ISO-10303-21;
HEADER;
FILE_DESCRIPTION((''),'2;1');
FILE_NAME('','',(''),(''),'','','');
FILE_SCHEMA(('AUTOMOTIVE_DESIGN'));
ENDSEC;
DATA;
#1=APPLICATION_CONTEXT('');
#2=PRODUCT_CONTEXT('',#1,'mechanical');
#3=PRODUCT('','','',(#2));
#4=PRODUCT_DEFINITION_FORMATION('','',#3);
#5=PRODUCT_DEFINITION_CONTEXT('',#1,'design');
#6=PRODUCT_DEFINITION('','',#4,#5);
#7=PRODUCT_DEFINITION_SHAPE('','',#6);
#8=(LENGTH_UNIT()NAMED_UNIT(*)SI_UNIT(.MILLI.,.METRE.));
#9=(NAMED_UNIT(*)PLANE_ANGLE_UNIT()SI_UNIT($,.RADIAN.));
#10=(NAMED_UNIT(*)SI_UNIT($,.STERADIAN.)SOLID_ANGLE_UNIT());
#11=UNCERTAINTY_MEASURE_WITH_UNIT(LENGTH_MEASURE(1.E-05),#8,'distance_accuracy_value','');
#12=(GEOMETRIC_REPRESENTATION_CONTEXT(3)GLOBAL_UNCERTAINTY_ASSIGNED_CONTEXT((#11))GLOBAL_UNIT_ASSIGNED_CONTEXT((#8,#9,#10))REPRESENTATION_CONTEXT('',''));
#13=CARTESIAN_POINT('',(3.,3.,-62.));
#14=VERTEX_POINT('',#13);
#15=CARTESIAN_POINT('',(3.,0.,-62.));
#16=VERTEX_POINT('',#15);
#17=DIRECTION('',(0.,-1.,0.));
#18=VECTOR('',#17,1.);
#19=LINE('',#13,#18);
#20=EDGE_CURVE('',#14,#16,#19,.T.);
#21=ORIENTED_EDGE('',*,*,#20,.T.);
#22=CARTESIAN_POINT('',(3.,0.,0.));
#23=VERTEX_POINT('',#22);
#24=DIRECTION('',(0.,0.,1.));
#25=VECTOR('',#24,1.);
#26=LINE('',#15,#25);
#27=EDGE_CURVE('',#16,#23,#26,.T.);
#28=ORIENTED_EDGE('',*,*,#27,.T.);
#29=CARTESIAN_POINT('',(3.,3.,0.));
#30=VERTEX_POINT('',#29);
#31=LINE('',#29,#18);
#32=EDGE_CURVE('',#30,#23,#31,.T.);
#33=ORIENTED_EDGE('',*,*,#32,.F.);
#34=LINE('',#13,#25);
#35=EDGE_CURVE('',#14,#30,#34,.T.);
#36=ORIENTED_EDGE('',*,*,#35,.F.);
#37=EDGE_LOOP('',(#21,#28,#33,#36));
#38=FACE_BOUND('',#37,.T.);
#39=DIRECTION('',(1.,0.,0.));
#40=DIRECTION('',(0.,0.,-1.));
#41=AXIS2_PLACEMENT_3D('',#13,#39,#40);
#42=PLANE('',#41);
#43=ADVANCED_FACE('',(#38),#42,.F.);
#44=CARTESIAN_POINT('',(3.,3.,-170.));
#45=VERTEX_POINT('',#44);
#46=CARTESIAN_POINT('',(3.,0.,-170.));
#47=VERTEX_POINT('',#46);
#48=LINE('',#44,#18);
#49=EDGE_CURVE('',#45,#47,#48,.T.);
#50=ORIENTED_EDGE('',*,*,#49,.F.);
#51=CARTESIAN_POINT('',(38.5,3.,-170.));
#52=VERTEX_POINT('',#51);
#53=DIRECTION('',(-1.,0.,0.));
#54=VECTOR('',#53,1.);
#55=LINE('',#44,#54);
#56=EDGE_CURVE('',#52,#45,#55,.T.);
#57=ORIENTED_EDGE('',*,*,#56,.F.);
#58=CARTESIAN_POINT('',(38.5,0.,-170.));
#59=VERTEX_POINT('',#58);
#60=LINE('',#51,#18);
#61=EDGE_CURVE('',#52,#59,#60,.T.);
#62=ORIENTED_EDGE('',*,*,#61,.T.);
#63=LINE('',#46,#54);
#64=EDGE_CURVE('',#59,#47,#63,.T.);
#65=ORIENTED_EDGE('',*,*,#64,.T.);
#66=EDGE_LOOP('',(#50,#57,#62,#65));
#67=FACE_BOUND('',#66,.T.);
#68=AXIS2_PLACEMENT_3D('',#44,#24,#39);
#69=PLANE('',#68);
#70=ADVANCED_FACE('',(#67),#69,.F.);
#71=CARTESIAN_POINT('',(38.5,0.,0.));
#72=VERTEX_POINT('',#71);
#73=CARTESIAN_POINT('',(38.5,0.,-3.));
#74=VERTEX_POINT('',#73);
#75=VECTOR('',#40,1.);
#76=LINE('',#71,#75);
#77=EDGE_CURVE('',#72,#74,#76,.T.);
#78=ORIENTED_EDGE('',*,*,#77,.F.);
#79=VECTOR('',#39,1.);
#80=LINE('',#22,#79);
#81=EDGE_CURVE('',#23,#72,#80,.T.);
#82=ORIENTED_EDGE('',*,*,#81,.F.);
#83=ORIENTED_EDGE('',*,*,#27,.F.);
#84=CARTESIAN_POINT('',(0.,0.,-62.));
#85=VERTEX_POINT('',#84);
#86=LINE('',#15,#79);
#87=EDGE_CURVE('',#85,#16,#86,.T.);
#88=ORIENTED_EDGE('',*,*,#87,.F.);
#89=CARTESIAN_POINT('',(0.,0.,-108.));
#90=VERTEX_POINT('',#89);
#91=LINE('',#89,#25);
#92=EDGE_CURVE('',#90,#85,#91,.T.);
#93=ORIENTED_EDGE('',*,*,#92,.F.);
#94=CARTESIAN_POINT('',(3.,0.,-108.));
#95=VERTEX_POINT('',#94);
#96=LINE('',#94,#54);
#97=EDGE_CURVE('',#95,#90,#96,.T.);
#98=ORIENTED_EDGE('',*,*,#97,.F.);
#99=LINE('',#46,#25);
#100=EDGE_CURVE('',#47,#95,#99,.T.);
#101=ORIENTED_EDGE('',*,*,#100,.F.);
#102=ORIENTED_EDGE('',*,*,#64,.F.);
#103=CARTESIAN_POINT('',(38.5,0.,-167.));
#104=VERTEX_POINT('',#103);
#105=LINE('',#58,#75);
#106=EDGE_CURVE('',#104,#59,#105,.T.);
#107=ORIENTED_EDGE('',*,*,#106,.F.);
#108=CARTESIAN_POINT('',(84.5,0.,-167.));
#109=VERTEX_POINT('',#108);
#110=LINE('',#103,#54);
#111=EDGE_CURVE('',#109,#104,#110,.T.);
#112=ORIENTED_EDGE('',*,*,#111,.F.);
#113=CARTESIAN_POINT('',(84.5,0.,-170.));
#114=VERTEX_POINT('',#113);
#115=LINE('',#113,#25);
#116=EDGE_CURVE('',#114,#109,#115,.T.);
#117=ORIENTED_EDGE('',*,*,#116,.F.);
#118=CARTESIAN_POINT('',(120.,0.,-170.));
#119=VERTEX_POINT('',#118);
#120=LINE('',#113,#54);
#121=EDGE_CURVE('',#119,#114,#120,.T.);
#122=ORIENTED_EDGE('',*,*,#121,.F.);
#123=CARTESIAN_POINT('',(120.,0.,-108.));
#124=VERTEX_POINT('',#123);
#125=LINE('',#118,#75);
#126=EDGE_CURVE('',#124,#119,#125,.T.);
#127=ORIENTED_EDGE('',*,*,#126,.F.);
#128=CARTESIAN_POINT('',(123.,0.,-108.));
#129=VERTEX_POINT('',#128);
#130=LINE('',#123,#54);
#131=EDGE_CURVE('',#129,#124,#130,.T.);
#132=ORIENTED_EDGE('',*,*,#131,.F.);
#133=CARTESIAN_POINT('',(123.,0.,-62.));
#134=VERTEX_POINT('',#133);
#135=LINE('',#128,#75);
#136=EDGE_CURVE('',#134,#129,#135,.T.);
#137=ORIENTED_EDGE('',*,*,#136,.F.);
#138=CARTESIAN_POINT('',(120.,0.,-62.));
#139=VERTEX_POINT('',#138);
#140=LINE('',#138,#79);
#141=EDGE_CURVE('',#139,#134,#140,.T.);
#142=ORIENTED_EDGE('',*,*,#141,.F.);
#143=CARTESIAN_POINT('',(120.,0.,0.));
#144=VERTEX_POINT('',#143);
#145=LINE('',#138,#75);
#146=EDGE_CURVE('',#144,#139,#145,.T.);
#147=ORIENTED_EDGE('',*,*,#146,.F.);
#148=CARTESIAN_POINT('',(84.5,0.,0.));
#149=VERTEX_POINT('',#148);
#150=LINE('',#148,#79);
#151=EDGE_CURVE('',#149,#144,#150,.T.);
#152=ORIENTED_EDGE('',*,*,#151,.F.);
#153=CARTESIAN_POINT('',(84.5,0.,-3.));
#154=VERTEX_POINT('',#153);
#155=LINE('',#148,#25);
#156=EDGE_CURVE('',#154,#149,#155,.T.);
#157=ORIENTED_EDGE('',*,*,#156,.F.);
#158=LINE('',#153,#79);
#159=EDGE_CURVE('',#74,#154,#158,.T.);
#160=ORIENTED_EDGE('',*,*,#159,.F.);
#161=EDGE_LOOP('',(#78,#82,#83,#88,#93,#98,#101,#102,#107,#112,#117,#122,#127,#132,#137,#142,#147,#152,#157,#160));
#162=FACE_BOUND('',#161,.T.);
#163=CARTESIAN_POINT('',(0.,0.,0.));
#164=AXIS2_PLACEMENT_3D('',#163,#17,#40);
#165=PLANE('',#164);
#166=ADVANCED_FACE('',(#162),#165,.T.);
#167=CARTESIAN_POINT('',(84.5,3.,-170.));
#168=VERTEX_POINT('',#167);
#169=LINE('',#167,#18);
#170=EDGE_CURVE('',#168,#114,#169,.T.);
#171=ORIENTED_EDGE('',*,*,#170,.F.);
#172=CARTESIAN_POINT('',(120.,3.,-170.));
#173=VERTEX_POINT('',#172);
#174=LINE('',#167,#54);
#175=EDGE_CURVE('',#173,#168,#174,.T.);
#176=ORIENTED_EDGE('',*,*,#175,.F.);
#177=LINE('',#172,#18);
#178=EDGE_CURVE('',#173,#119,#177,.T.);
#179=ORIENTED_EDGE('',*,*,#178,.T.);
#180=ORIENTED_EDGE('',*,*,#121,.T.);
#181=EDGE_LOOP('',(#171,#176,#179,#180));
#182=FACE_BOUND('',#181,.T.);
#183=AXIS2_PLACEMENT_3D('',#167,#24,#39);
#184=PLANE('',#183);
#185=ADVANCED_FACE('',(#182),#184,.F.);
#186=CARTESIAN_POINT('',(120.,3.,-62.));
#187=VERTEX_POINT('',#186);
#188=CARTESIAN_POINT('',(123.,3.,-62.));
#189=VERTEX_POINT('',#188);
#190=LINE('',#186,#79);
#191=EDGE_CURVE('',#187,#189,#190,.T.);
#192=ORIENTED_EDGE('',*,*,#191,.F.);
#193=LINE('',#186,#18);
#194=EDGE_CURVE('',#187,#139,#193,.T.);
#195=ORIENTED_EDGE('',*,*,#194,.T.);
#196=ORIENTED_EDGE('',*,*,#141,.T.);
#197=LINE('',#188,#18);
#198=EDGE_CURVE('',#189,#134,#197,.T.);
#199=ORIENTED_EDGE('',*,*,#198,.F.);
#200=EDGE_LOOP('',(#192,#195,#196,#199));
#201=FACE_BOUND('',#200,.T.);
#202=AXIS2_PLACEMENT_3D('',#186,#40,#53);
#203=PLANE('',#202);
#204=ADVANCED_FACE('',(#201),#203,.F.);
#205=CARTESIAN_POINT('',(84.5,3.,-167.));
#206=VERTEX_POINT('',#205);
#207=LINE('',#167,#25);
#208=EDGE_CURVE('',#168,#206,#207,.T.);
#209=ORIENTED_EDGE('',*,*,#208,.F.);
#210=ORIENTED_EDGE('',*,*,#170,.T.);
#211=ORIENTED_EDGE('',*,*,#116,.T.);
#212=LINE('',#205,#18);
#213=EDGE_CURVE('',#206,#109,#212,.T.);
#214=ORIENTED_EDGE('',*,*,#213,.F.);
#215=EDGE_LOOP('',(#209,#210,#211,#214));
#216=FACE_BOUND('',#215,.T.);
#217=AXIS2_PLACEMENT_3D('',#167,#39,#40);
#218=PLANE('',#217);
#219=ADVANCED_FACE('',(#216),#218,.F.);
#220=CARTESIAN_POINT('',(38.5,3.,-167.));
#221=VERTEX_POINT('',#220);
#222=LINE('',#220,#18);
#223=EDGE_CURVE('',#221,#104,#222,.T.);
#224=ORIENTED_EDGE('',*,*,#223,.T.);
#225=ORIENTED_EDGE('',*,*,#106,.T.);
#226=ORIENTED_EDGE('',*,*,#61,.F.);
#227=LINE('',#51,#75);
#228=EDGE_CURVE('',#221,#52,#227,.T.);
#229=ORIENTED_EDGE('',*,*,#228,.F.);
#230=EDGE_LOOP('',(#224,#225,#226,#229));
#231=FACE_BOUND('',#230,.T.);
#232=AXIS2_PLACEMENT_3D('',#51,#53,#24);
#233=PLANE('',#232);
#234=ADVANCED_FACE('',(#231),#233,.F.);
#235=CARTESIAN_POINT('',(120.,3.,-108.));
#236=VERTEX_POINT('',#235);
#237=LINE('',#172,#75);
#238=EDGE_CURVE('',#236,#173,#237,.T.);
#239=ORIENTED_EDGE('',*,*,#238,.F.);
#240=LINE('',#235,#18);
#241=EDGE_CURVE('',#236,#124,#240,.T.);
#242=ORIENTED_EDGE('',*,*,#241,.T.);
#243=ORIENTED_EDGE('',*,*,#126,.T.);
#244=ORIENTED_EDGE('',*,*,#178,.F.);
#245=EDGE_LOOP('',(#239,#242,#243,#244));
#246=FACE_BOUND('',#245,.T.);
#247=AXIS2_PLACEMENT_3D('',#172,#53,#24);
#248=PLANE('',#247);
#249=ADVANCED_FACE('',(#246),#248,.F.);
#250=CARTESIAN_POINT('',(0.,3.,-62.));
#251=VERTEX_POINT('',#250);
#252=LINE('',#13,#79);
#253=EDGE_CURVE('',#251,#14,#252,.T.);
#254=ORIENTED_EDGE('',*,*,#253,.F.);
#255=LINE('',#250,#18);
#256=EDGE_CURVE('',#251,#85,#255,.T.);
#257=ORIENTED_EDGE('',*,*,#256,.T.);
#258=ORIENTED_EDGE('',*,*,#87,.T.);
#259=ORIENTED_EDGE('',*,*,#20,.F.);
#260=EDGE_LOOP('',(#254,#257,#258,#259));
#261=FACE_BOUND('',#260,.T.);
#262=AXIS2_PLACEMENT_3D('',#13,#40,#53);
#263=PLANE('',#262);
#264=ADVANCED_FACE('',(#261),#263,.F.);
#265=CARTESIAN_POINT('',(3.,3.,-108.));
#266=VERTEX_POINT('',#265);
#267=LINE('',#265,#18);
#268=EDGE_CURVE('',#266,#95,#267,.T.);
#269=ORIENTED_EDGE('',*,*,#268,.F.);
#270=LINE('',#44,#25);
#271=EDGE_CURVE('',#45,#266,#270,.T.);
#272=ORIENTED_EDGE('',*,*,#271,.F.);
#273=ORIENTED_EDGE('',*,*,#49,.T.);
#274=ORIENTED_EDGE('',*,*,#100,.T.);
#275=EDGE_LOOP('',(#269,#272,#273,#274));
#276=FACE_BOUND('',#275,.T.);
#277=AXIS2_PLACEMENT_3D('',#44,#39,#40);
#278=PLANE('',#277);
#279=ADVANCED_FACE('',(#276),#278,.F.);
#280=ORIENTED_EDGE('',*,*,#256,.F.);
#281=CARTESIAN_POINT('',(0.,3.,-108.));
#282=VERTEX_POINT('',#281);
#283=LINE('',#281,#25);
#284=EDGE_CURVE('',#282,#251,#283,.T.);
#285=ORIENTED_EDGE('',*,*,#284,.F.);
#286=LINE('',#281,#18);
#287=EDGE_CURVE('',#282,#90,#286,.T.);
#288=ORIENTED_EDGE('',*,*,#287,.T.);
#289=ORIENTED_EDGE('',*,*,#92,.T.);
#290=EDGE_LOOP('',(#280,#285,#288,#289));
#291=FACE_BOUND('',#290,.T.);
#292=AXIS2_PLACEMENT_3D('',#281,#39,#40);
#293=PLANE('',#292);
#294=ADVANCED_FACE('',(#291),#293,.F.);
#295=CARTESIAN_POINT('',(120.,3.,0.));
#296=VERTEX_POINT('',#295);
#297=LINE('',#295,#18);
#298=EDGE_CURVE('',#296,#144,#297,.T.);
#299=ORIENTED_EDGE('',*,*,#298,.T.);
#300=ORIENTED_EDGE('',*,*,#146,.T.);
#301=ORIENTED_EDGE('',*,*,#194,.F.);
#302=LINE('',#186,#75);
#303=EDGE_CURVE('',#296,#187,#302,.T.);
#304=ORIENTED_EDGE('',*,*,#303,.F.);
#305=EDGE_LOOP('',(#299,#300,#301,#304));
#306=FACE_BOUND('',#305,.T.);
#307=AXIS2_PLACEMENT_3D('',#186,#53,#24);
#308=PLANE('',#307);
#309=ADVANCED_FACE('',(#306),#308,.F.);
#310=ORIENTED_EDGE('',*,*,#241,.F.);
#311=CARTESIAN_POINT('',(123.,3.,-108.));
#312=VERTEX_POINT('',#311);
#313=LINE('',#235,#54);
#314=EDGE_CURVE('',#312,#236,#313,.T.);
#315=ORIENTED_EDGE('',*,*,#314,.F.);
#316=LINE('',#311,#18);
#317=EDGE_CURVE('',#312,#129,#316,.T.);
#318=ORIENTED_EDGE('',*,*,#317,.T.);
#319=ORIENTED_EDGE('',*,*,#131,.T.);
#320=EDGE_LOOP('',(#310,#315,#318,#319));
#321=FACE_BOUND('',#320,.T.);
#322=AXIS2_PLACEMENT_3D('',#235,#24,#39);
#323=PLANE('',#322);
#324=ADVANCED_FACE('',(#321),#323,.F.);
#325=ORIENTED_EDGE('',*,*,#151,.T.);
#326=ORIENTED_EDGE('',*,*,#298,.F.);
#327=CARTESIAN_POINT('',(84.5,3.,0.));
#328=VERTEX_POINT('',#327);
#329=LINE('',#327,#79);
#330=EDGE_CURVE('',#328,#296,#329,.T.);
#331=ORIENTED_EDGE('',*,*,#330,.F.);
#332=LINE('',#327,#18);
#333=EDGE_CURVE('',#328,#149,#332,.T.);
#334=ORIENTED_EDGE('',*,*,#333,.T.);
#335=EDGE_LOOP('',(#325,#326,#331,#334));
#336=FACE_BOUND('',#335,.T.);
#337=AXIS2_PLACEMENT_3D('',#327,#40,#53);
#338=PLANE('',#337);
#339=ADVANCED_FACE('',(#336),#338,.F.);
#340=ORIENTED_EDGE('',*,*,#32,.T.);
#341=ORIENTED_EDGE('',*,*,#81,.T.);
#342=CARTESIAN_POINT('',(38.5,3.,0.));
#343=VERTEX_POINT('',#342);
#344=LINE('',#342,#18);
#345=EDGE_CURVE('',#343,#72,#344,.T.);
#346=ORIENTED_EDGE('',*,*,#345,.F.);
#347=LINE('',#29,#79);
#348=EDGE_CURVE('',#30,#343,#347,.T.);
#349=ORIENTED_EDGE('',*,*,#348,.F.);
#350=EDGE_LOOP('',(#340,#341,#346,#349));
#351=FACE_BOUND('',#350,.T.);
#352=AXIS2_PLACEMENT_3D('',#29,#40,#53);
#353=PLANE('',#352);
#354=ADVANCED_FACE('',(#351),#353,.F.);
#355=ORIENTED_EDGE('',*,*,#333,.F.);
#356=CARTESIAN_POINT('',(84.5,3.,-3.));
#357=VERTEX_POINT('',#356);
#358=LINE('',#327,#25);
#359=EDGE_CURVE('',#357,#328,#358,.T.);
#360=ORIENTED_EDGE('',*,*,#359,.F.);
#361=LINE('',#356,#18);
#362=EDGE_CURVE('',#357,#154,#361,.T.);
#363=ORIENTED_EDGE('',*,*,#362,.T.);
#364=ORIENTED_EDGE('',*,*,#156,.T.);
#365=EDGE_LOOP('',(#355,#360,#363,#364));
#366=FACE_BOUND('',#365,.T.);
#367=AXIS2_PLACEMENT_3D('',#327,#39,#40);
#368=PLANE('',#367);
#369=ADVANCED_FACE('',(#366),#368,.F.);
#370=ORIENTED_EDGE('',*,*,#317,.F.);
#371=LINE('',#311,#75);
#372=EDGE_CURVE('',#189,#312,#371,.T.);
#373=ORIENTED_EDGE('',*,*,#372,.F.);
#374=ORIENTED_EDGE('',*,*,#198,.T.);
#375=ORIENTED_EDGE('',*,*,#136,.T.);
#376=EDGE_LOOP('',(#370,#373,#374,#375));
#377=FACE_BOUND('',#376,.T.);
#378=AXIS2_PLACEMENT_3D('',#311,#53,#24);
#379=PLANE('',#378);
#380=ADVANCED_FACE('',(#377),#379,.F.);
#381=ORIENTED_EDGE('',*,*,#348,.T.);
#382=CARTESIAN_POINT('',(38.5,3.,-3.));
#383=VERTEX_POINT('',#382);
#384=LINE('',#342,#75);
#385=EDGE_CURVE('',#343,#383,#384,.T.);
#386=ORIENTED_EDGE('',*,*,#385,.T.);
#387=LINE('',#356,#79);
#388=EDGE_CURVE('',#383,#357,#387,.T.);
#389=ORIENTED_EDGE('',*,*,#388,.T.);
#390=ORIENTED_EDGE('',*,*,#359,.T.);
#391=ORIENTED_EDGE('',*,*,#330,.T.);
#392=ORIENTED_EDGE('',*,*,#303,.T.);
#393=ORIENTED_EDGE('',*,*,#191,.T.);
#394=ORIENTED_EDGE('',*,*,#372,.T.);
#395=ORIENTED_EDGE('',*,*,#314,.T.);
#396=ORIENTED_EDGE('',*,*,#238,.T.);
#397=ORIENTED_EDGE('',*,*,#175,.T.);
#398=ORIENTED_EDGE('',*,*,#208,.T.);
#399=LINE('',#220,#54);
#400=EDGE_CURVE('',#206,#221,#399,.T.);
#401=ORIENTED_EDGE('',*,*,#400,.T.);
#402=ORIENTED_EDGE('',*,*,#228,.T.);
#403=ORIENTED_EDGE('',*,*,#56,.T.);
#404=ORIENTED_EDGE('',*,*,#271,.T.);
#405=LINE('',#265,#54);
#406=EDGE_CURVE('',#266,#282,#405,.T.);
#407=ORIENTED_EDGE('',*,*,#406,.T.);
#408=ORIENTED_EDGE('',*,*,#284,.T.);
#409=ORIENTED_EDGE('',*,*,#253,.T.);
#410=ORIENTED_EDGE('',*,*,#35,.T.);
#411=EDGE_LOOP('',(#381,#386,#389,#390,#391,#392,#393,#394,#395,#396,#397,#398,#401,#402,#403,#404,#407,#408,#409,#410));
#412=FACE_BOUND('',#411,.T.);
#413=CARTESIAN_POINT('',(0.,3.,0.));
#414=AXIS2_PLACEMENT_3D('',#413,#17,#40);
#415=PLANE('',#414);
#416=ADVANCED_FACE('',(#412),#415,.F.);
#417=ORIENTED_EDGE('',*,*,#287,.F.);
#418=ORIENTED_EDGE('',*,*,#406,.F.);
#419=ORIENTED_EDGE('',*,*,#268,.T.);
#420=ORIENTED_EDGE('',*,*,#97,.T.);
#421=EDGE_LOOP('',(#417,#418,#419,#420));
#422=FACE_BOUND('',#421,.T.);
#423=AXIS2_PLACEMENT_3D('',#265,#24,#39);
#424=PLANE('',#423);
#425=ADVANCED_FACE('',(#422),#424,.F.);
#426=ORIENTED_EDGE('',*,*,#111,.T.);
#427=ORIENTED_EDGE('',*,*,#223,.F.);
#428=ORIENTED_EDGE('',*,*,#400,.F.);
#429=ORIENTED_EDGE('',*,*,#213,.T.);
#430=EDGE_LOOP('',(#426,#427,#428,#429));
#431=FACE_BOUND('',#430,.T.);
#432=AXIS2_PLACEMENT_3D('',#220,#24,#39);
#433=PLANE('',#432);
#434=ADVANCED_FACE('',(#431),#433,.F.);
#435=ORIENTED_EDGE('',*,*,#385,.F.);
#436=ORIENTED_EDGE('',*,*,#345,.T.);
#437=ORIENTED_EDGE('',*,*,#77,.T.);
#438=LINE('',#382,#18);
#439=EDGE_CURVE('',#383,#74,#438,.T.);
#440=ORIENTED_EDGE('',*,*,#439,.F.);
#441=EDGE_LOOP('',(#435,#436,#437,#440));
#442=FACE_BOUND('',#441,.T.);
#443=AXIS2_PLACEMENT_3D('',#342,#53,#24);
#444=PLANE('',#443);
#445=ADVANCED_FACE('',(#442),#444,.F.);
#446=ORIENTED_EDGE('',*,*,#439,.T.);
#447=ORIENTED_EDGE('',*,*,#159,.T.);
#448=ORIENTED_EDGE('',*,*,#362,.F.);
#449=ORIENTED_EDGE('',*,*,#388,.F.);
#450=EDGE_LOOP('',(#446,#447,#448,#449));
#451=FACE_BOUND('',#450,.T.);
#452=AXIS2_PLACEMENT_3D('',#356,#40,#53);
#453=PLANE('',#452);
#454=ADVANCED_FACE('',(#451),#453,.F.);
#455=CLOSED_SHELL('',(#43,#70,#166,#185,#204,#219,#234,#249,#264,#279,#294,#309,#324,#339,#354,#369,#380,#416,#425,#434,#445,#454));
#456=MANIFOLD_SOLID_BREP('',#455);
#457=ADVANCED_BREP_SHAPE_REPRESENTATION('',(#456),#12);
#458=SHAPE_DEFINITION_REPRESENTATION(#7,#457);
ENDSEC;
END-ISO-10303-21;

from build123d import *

# Parameters (mm, degrees)
SALIENTE_EXTRUIR1_DEPTH = 3


with BuildPart() as part:
    # Croquis1 → Saliente-Extruir1 (new body)
    with BuildSketch(Plane(origin=(0, 0, 0), x_dir=(1, 0, 0), z_dir=(0, 1, 0))):
        Polygon((84.5, 170), (120, 170), (120, 108), (123, 108), (123, 62), (120, 62), (120, 0), (84.5, 0), (84.5, 3), (38.5, 3), (38.5, 0), (3, 0), (3, 62), (0, 62), (0, 108), (3, 108), (3, 170), (38.5, 170), (38.5, 167), (84.5, 167), align=None)
    extrude(amount=SALIENTE_EXTRUIR1_DEPTH)


solid = part.part
